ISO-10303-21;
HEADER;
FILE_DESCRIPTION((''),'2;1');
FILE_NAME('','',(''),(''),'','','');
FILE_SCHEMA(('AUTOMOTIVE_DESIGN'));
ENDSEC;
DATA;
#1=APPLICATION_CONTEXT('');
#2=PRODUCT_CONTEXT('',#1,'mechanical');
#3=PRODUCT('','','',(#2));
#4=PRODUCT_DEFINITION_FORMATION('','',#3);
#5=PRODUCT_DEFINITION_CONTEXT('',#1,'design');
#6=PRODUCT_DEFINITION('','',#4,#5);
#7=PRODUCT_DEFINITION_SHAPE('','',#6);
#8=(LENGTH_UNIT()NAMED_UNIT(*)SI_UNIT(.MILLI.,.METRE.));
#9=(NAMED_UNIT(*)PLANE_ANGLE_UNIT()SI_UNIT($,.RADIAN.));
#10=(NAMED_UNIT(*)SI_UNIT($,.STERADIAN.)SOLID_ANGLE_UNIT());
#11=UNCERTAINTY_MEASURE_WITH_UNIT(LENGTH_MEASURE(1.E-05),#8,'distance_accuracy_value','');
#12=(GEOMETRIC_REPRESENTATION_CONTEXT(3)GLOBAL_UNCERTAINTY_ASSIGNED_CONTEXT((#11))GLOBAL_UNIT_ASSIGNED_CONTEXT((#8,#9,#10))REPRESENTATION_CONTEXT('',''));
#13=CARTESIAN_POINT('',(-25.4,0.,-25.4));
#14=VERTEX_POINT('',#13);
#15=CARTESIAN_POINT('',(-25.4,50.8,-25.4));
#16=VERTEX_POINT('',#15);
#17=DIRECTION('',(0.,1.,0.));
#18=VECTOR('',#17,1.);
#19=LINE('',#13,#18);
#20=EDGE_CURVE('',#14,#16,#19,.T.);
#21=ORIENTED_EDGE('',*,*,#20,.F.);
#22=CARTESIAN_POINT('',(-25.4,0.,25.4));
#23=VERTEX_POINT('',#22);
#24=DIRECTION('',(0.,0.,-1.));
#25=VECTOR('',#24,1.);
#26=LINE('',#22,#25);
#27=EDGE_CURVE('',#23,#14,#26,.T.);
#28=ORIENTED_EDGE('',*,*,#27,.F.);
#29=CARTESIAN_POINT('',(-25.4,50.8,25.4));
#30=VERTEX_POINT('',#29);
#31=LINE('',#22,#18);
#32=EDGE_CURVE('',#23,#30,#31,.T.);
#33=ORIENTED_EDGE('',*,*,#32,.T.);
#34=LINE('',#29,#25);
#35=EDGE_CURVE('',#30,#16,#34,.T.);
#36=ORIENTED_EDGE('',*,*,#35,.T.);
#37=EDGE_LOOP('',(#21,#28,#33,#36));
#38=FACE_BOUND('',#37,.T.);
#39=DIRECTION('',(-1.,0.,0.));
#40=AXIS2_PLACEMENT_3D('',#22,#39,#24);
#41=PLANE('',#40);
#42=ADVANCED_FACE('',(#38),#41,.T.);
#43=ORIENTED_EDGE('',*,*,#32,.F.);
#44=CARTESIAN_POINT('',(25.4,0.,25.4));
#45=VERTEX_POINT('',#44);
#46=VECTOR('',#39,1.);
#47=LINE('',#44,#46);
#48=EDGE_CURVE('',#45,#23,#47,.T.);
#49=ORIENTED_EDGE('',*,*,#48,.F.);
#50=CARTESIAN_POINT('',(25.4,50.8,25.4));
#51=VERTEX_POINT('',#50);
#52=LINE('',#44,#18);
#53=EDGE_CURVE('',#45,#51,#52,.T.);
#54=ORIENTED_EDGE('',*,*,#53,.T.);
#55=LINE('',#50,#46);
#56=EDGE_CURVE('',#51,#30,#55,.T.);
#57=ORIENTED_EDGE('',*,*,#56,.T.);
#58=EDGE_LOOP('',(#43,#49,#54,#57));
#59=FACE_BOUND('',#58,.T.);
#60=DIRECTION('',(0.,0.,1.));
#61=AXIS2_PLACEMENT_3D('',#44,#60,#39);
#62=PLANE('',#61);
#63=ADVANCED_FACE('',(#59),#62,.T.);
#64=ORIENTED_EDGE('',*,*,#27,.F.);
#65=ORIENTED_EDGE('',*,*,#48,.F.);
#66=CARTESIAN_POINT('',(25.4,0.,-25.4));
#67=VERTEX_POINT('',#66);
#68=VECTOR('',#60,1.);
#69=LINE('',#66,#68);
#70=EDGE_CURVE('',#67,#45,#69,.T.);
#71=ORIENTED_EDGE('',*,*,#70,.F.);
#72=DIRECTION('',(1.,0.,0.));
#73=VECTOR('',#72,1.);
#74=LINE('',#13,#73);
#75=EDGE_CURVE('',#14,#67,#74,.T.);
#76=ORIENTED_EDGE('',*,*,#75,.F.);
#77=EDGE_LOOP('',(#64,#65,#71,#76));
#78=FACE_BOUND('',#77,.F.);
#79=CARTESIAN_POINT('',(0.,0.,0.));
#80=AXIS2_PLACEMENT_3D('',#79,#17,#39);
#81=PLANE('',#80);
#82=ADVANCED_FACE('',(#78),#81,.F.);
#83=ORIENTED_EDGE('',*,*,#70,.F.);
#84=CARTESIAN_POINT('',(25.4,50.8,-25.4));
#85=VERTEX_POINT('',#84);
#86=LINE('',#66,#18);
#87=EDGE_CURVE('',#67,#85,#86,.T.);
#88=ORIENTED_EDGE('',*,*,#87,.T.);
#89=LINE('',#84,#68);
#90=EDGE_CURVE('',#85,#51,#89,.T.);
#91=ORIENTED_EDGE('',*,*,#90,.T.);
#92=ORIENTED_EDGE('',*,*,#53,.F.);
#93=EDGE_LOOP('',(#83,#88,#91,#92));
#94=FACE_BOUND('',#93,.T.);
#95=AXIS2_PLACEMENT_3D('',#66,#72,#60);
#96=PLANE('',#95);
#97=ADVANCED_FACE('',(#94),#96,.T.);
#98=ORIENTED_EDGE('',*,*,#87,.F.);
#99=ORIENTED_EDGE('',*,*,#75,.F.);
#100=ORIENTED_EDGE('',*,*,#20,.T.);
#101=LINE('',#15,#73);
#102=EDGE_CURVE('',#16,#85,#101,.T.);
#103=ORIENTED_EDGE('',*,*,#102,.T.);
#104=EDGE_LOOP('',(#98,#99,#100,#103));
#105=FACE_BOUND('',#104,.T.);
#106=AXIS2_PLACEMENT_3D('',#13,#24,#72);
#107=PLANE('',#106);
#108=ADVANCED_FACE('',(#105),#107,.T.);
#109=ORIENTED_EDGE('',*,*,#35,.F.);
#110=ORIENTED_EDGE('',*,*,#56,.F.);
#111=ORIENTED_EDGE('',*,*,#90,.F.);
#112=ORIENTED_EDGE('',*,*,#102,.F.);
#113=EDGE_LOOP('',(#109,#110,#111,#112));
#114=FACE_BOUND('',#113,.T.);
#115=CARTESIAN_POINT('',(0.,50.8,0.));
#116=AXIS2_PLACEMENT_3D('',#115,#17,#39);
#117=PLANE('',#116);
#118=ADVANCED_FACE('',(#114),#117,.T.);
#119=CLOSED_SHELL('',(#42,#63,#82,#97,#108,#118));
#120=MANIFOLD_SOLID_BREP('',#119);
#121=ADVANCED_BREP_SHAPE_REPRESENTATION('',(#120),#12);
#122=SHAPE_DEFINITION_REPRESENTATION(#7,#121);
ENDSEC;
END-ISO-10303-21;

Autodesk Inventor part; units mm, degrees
ref_plane "YZ Plane" through (0, 0, 0) normal (1, 0, 0) x (0, 1, 0)
ref_plane "XZ Plane" through (0, 0, 0) normal (0, 1, 0) x (-1, 0, 0)
ref_plane "XY Plane" through (0, 0, 0) normal (0, 0, 1) x (1, 0, 0)
sketch "Sketch1" plane through (0, 0, 0) normal (0, 1, 0) x (-1, 0, 0)
  line L0 (-25.4, 25.4) -> (25.4, 25.4)
  line L1 (25.4, 25.4) -> (25.4, -25.4)
  line L2 (25.4, -25.4) -> (-25.4, -25.4)
  line L3 (-25.4, -25.4) -> (-25.4, 25.4)
  line L4 (-25.4, 25.4) -> (25.4, -25.4) construction
  line L5 (25.4, 25.4) -> (-25.4, -25.4) construction
  point P0 (0, 0)
  dimension "d0" = 50.8
  dimension "d1" = 50.8
extrude "Extrusion1" add sketch "Sketch1" along normal blind 50.8
properties part number "CTF Cube"
